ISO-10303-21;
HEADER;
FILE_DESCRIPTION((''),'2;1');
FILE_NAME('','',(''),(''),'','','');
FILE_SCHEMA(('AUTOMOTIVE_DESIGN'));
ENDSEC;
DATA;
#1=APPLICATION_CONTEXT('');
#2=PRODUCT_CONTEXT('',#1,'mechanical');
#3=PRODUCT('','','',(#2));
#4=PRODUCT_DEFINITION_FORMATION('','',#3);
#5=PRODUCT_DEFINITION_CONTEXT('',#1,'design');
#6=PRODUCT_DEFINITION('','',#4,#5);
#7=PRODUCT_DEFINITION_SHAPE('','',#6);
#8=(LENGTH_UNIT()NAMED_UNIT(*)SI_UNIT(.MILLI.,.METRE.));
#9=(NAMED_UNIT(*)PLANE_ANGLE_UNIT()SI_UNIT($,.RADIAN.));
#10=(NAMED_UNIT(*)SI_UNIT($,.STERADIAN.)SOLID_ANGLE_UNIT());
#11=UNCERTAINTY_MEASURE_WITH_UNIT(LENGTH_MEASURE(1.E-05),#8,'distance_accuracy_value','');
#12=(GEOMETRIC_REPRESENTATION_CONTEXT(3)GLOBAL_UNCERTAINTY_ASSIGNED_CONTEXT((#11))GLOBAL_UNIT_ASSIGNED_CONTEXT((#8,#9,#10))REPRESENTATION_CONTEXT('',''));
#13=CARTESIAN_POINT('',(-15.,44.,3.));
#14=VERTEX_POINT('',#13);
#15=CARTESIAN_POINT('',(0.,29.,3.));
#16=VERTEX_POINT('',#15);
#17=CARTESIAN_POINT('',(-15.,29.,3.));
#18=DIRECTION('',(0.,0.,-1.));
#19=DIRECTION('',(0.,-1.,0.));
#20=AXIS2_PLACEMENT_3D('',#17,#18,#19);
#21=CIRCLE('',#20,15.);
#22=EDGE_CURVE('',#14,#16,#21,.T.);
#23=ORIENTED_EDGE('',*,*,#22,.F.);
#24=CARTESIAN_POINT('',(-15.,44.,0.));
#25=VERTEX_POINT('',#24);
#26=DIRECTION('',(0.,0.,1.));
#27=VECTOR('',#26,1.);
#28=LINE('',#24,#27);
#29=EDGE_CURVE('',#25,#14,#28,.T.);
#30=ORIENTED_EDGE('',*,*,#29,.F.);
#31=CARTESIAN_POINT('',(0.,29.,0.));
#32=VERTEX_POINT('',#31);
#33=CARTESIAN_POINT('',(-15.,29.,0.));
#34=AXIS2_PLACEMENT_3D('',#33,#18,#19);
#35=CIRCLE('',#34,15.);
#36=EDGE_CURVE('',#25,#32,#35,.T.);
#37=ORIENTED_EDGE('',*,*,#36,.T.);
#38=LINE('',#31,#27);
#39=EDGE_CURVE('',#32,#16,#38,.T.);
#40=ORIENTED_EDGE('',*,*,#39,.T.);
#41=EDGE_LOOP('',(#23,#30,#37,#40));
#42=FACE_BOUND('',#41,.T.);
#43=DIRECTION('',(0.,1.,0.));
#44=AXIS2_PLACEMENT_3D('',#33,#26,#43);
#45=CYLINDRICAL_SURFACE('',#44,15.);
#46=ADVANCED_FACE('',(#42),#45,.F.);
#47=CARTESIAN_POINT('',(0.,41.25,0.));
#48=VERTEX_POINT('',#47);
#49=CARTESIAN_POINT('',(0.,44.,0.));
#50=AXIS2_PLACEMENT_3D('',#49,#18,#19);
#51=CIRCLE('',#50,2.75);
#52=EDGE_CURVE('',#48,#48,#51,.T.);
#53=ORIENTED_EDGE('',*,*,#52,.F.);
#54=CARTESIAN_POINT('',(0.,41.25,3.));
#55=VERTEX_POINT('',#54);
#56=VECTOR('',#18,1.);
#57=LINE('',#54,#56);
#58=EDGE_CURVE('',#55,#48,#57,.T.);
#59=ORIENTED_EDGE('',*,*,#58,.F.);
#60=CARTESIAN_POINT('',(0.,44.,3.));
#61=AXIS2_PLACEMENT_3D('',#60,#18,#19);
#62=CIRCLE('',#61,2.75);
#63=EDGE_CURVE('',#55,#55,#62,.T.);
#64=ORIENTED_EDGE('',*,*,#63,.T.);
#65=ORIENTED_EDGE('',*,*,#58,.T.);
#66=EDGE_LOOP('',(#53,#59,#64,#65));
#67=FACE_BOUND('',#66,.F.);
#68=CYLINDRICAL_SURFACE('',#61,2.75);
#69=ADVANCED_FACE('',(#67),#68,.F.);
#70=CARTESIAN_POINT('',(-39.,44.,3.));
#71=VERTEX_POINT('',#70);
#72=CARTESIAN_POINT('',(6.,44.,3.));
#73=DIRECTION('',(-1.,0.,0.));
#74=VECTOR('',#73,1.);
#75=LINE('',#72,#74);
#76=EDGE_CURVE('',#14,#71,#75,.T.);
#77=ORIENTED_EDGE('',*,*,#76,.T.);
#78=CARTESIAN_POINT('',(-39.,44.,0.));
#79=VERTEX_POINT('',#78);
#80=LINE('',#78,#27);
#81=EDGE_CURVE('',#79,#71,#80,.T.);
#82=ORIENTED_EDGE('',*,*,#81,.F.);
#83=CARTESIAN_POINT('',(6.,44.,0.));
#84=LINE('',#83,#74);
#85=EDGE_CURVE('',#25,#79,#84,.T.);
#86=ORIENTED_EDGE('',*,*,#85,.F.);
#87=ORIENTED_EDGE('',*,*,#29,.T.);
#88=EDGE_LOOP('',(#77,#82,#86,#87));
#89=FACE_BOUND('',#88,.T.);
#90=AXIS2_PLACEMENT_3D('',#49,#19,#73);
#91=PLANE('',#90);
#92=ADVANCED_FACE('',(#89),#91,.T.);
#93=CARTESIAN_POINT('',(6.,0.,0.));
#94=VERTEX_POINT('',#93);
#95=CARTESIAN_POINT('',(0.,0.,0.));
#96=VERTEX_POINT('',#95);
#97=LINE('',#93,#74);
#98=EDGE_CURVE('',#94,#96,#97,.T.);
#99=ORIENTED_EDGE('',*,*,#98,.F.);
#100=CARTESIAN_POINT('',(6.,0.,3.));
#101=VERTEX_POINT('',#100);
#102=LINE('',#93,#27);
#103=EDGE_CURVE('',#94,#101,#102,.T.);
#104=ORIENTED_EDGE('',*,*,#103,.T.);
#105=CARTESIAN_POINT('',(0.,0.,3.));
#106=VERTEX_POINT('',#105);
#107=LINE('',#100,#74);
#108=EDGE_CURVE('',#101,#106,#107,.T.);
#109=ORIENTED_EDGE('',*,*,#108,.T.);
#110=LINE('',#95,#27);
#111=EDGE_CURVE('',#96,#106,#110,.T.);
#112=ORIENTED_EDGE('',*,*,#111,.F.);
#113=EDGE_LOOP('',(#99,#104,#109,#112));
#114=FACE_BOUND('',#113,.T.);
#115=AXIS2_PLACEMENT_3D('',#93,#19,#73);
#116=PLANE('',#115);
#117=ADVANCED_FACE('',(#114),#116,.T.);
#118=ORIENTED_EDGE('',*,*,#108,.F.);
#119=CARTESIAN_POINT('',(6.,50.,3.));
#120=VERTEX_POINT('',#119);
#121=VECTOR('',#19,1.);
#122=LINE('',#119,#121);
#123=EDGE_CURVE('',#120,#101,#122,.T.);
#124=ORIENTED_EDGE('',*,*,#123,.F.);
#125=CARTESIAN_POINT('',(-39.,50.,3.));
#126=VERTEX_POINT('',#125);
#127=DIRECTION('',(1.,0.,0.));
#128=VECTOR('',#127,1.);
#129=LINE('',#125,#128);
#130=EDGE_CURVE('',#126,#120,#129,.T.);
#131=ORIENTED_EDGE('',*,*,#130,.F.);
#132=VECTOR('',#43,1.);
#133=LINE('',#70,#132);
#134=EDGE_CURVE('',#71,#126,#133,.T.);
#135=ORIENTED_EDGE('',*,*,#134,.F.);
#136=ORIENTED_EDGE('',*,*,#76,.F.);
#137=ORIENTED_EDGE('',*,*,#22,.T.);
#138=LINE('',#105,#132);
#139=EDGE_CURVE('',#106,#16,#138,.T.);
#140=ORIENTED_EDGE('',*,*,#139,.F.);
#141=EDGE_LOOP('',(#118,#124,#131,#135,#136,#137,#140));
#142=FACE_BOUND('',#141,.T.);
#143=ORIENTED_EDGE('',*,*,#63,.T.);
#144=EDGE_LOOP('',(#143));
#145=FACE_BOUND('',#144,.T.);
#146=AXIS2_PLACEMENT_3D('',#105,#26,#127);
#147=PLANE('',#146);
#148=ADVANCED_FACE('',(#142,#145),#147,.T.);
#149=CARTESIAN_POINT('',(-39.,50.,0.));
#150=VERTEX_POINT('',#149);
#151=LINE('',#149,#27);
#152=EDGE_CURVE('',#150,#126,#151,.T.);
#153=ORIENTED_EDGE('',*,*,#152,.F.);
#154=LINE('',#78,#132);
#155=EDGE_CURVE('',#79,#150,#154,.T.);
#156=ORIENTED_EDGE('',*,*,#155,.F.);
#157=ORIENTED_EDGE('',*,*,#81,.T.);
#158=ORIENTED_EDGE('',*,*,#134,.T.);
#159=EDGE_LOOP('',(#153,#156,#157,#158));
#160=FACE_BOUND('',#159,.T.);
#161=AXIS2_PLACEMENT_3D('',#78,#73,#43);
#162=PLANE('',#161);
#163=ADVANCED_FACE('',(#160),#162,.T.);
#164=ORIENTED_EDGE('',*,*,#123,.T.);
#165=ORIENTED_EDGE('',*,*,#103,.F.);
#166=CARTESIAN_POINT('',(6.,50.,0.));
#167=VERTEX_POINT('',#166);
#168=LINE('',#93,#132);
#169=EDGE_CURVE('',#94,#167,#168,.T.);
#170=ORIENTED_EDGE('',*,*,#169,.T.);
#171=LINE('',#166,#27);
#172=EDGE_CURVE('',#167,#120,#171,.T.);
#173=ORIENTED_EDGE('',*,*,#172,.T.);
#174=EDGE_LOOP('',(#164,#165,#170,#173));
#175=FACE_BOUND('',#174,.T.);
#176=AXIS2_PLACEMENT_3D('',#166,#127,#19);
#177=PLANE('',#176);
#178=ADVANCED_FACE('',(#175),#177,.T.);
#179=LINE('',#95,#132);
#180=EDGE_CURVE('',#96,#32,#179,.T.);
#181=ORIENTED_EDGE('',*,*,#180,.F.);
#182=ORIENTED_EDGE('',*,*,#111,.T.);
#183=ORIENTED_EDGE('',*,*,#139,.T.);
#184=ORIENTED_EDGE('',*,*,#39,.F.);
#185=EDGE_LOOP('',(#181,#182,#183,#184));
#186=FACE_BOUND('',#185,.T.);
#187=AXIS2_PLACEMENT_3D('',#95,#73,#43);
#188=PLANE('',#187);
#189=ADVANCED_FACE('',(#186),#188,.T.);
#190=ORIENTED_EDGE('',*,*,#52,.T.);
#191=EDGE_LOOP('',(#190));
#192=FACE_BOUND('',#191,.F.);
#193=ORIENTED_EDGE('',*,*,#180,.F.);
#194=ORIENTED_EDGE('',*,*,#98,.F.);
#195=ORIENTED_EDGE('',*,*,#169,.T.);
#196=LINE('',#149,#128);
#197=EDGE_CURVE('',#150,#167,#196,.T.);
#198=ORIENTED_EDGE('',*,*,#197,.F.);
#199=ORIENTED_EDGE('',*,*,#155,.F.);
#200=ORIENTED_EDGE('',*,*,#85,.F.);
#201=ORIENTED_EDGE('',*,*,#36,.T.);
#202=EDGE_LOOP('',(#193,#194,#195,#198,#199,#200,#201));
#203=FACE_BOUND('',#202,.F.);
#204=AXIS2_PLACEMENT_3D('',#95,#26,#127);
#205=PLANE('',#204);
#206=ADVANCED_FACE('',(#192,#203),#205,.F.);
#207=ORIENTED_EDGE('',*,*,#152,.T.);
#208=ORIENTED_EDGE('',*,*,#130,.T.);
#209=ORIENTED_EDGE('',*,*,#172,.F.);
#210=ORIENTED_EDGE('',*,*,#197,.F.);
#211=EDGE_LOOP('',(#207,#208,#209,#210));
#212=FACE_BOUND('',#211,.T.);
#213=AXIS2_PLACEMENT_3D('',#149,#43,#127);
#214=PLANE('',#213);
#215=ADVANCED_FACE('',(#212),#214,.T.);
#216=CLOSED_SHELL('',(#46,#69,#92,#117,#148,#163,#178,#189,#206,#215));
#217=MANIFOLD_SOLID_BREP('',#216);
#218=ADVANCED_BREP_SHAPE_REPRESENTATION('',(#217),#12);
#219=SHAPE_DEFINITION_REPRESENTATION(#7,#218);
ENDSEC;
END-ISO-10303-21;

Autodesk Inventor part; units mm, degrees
ref_plane "YZ Plane" through (0, 0, 0) normal (1, 0, 0) x (0, 1, 0)
ref_plane "XZ Plane" through (0, 0, 0) normal (0, 1, 0) x (-1, 0, 0)
ref_plane "XY Plane" through (0, 0, 0) normal (0, 0, 1) x (1, 0, 0)
sketch "Sketch1" plane through (0, 0, 0) normal (0, 0, 1) x (1, 0, 0)
  line L0 (-39, 50) -> (6, 50)
  line L1 (6, 50) -> (6, 44)
  line L2 (6, 44) -> (-39, 44)
  line L3 (-39, 44) -> (-39, 50)
  line L4 (0, 44) -> (6, 44)
  line L5 (6, 44) -> (6, 0)
  line L6 (6, 0) -> (0, 0)
  line L7 (0, 0) -> (0, 44)
  dimension "d1" = 6
  dimension "d2" = 45
  dimension "d3" = 6
  dimension "d17" = 50
extrude "Extrusion1" add sketch "Sketch1" along normal blind 3
fillet "Fillet1" radius 15 1 edges at (0, 44, 1.5)
sketch "Sketch2" plane through (0, 0, 3) normal (0, 0, 1) x (1, 0, 0)
  line L0 (6, 50) -> (-39, 50) projected
  line L1 (6, 0) -> (6, 50) projected
  point P0 (0, 0)
  point P1 (0, 44)
  dimension "d8" = 6
  dimension "d9" = 6
hole "Hole1" at (0, 44, 3) direction (0, 0, -1) diameter 5.5 end through all
equation "\"d3\" = d1"
equation "\"d9\" = d8"
properties part number "Selection_Selector 1" material "Nylon 6/6"
